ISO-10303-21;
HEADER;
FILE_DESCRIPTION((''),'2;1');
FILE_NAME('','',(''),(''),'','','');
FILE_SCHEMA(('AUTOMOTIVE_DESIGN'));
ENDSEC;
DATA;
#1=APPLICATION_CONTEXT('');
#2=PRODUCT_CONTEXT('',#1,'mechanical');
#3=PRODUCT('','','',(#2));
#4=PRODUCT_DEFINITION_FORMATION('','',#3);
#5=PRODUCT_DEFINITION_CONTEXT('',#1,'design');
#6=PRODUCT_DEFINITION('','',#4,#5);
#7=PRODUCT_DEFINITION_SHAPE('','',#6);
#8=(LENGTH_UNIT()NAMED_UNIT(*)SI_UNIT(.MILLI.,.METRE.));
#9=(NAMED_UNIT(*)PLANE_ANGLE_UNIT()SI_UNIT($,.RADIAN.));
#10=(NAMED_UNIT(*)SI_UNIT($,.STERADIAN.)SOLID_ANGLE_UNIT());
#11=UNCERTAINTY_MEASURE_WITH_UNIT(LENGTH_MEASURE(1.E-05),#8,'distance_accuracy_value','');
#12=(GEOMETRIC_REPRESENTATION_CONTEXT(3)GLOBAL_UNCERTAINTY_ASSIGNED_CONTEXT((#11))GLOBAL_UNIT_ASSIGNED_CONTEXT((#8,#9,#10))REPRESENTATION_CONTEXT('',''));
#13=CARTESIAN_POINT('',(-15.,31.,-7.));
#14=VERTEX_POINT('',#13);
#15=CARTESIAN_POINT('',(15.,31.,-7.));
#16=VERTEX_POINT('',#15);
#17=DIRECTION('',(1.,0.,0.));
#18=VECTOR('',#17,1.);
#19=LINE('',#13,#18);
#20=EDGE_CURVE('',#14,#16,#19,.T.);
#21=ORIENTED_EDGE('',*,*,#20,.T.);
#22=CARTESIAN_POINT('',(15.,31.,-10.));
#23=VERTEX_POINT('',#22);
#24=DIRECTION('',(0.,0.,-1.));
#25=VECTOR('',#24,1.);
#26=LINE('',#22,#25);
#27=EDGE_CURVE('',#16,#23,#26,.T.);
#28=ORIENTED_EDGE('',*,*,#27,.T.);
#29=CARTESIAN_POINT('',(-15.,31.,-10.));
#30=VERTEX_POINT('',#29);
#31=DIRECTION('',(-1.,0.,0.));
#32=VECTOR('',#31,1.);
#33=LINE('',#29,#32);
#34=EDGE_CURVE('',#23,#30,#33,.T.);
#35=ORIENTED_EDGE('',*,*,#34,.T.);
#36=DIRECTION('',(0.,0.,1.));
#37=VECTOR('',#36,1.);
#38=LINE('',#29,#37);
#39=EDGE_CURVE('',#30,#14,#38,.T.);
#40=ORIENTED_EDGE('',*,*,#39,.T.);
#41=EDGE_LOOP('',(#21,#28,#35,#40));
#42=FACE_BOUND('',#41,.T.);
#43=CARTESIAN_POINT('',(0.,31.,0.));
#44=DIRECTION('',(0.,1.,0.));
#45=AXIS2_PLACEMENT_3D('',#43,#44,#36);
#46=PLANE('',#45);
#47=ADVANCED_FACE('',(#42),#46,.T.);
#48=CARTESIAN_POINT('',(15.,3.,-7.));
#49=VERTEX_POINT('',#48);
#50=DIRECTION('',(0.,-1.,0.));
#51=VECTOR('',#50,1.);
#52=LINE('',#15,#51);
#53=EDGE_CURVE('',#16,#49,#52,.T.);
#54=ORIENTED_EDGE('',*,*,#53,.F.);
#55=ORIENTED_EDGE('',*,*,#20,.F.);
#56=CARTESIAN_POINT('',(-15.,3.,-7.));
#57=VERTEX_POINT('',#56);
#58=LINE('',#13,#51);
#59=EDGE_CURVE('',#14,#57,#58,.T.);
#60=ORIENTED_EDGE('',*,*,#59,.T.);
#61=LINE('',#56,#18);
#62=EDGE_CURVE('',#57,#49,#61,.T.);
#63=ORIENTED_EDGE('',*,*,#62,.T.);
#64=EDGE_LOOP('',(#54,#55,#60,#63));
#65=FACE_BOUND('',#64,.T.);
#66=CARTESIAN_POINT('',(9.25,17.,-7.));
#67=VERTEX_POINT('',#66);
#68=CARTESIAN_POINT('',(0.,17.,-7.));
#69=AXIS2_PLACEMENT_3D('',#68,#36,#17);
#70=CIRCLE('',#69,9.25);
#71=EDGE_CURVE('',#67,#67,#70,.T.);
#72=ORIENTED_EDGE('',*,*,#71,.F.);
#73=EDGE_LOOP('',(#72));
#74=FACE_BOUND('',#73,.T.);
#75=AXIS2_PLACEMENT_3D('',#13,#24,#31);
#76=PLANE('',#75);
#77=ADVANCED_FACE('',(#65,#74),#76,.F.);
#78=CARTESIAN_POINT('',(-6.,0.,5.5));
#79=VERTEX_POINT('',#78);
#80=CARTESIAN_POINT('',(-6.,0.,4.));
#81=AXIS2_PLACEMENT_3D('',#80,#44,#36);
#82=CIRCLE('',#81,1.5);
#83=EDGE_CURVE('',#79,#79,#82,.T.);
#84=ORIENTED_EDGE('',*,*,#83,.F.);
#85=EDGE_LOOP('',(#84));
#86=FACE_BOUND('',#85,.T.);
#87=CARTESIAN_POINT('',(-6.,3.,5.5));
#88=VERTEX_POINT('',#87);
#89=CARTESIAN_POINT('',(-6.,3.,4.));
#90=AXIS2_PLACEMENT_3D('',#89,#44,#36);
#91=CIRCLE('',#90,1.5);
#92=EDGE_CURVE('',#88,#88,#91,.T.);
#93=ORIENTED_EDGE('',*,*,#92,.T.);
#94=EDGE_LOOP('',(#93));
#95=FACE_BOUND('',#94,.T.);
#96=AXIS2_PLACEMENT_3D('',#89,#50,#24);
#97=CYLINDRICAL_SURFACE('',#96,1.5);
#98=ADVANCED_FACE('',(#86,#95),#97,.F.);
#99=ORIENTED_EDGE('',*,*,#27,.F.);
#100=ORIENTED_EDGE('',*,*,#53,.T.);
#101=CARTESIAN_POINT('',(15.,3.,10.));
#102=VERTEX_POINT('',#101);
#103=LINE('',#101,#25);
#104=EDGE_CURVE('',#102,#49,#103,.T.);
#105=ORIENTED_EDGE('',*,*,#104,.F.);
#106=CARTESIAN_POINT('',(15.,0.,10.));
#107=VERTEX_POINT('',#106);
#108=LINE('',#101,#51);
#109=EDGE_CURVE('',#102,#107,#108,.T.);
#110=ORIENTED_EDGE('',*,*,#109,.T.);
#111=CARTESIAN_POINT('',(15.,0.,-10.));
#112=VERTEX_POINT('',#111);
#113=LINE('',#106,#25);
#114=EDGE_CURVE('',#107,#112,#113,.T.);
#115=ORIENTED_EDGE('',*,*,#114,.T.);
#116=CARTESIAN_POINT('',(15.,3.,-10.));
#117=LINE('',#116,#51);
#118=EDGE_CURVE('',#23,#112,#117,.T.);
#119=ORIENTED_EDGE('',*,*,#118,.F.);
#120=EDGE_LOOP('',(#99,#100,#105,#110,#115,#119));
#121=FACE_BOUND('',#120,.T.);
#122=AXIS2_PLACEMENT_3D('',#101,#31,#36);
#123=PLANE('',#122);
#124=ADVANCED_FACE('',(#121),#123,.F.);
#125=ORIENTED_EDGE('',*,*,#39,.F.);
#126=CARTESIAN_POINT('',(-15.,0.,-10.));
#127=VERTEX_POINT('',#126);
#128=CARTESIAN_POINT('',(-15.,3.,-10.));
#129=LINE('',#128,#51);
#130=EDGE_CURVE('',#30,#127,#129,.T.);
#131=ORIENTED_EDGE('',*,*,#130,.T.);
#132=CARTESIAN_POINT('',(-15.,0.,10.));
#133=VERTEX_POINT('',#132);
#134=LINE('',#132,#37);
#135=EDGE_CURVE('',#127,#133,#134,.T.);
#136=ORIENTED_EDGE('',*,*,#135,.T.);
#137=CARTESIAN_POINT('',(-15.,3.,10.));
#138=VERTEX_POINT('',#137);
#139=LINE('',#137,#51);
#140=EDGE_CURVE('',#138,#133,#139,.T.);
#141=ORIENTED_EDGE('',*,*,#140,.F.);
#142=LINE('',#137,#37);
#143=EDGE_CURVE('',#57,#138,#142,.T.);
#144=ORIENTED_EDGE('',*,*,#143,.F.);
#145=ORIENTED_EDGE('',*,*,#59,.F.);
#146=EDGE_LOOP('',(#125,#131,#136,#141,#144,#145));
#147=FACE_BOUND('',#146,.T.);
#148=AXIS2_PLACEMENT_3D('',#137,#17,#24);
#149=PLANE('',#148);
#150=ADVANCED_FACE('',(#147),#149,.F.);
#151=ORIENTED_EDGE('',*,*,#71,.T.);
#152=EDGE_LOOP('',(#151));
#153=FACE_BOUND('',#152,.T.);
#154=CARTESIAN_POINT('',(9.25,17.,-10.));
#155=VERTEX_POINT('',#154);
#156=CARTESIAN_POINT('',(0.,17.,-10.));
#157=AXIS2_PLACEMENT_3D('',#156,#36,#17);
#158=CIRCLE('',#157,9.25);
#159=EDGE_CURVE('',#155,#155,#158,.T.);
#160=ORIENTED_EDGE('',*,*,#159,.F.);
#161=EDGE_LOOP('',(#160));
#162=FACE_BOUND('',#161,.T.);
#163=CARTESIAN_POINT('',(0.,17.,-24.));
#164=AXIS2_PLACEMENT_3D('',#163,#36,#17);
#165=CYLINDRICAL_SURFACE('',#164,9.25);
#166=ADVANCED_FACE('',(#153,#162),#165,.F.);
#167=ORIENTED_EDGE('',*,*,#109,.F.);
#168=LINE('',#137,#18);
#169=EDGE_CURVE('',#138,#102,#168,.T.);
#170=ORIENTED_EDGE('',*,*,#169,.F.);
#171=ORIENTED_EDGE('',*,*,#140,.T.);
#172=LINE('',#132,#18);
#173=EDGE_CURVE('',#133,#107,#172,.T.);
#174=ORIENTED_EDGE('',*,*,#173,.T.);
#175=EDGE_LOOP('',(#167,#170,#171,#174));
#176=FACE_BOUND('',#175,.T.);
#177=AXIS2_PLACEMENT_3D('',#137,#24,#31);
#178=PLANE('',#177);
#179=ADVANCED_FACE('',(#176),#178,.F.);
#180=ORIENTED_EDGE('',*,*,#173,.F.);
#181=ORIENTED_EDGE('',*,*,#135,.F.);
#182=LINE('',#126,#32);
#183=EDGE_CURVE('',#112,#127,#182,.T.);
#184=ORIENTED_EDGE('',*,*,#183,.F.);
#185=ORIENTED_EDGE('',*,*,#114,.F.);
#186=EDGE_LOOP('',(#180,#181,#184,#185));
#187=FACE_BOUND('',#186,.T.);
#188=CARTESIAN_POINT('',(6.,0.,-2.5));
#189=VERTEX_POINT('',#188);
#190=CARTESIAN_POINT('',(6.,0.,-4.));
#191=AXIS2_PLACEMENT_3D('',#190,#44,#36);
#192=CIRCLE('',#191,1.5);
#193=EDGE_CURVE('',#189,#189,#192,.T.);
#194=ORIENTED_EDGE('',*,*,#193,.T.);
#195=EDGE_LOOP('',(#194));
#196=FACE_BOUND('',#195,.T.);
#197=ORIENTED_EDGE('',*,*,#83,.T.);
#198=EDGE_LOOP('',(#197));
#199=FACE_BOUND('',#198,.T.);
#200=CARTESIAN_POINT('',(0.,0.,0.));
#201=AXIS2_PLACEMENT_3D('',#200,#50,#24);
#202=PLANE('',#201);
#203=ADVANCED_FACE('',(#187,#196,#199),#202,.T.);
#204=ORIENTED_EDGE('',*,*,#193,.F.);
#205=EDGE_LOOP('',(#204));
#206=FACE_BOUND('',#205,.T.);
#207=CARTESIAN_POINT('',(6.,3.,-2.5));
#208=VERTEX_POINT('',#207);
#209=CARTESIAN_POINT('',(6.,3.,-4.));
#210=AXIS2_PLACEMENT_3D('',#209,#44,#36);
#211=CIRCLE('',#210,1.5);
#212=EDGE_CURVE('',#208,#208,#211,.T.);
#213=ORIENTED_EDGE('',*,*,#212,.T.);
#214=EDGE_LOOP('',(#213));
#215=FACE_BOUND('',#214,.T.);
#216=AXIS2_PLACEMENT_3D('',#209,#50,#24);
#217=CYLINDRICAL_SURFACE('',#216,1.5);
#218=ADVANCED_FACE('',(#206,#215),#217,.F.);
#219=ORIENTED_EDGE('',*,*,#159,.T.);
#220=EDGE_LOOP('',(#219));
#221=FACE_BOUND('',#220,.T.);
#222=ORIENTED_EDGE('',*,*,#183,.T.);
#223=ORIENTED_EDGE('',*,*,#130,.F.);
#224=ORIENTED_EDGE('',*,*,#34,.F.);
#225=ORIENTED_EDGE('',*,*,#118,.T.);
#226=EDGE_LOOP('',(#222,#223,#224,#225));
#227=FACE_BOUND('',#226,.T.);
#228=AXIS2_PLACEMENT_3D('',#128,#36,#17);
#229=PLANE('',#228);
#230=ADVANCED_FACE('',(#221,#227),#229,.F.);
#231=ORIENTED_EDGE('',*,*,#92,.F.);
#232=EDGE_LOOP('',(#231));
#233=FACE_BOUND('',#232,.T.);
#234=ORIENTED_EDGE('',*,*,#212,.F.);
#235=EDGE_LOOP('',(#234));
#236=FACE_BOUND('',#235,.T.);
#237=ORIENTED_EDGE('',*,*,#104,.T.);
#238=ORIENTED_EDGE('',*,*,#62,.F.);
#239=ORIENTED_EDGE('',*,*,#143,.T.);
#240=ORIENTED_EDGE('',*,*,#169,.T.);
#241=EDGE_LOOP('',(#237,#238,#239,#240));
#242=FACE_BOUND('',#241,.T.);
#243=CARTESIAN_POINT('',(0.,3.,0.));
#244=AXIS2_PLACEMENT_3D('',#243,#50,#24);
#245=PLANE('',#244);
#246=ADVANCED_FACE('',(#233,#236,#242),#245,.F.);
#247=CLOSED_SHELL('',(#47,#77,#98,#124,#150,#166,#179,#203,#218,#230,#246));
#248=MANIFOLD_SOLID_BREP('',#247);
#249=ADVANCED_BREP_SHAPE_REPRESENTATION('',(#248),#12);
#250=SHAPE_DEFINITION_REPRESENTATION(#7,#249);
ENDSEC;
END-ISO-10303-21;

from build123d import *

# Parameters (mm, degrees)
SKETCH1_W           = 30
SKETCH1_H           = 20
SKETCH1_R           = 1.5
BOSS_EXTRUDE1_DEPTH = 3
SKETCH2_W           = 30
SKETCH2_H           = 3
BOSS_EXTRUDE2_DEPTH = 28
SKETCH3_R           = 9.25
CUT_EXTRUDE1_DEPTH  = 17


with BuildPart() as part:
    # Sketch1 → Boss-Extrude1 (new body)
    with BuildSketch(Plane(origin=(0, 0, 0), x_dir=(1, 0, 0), z_dir=(0, 1, 0))):
        Rectangle(SKETCH1_W, SKETCH1_H)
        with Locations(Location((-6, -4, 0), (0, 0, 270))):
            Circle(SKETCH1_R, mode=Mode.SUBTRACT)
        with Locations(Location((6, 4, 0), (0, 0, 270))):
            Circle(SKETCH1_R, mode=Mode.SUBTRACT)
    extrude(amount=BOSS_EXTRUDE1_DEPTH)

    # Sketch2 → Boss-Extrude2 (add)
    with BuildSketch(Plane(origin=(0, 3, 0), x_dir=(1, 0, 0), z_dir=(0, 1, 0))):
        with Locations((0, 8.5)):
            Rectangle(SKETCH2_W, SKETCH2_H)
    extrude(amount=BOSS_EXTRUDE2_DEPTH)

    # Sketch3 → Cut-Extrude1 (cut)
    with BuildSketch(Plane.XY.offset(-7)):
        with Locations((0, 17)):
            Circle(SKETCH3_R)
    extrude(amount=-CUT_EXTRUDE1_DEPTH, mode=Mode.SUBTRACT)


solid = part.part
